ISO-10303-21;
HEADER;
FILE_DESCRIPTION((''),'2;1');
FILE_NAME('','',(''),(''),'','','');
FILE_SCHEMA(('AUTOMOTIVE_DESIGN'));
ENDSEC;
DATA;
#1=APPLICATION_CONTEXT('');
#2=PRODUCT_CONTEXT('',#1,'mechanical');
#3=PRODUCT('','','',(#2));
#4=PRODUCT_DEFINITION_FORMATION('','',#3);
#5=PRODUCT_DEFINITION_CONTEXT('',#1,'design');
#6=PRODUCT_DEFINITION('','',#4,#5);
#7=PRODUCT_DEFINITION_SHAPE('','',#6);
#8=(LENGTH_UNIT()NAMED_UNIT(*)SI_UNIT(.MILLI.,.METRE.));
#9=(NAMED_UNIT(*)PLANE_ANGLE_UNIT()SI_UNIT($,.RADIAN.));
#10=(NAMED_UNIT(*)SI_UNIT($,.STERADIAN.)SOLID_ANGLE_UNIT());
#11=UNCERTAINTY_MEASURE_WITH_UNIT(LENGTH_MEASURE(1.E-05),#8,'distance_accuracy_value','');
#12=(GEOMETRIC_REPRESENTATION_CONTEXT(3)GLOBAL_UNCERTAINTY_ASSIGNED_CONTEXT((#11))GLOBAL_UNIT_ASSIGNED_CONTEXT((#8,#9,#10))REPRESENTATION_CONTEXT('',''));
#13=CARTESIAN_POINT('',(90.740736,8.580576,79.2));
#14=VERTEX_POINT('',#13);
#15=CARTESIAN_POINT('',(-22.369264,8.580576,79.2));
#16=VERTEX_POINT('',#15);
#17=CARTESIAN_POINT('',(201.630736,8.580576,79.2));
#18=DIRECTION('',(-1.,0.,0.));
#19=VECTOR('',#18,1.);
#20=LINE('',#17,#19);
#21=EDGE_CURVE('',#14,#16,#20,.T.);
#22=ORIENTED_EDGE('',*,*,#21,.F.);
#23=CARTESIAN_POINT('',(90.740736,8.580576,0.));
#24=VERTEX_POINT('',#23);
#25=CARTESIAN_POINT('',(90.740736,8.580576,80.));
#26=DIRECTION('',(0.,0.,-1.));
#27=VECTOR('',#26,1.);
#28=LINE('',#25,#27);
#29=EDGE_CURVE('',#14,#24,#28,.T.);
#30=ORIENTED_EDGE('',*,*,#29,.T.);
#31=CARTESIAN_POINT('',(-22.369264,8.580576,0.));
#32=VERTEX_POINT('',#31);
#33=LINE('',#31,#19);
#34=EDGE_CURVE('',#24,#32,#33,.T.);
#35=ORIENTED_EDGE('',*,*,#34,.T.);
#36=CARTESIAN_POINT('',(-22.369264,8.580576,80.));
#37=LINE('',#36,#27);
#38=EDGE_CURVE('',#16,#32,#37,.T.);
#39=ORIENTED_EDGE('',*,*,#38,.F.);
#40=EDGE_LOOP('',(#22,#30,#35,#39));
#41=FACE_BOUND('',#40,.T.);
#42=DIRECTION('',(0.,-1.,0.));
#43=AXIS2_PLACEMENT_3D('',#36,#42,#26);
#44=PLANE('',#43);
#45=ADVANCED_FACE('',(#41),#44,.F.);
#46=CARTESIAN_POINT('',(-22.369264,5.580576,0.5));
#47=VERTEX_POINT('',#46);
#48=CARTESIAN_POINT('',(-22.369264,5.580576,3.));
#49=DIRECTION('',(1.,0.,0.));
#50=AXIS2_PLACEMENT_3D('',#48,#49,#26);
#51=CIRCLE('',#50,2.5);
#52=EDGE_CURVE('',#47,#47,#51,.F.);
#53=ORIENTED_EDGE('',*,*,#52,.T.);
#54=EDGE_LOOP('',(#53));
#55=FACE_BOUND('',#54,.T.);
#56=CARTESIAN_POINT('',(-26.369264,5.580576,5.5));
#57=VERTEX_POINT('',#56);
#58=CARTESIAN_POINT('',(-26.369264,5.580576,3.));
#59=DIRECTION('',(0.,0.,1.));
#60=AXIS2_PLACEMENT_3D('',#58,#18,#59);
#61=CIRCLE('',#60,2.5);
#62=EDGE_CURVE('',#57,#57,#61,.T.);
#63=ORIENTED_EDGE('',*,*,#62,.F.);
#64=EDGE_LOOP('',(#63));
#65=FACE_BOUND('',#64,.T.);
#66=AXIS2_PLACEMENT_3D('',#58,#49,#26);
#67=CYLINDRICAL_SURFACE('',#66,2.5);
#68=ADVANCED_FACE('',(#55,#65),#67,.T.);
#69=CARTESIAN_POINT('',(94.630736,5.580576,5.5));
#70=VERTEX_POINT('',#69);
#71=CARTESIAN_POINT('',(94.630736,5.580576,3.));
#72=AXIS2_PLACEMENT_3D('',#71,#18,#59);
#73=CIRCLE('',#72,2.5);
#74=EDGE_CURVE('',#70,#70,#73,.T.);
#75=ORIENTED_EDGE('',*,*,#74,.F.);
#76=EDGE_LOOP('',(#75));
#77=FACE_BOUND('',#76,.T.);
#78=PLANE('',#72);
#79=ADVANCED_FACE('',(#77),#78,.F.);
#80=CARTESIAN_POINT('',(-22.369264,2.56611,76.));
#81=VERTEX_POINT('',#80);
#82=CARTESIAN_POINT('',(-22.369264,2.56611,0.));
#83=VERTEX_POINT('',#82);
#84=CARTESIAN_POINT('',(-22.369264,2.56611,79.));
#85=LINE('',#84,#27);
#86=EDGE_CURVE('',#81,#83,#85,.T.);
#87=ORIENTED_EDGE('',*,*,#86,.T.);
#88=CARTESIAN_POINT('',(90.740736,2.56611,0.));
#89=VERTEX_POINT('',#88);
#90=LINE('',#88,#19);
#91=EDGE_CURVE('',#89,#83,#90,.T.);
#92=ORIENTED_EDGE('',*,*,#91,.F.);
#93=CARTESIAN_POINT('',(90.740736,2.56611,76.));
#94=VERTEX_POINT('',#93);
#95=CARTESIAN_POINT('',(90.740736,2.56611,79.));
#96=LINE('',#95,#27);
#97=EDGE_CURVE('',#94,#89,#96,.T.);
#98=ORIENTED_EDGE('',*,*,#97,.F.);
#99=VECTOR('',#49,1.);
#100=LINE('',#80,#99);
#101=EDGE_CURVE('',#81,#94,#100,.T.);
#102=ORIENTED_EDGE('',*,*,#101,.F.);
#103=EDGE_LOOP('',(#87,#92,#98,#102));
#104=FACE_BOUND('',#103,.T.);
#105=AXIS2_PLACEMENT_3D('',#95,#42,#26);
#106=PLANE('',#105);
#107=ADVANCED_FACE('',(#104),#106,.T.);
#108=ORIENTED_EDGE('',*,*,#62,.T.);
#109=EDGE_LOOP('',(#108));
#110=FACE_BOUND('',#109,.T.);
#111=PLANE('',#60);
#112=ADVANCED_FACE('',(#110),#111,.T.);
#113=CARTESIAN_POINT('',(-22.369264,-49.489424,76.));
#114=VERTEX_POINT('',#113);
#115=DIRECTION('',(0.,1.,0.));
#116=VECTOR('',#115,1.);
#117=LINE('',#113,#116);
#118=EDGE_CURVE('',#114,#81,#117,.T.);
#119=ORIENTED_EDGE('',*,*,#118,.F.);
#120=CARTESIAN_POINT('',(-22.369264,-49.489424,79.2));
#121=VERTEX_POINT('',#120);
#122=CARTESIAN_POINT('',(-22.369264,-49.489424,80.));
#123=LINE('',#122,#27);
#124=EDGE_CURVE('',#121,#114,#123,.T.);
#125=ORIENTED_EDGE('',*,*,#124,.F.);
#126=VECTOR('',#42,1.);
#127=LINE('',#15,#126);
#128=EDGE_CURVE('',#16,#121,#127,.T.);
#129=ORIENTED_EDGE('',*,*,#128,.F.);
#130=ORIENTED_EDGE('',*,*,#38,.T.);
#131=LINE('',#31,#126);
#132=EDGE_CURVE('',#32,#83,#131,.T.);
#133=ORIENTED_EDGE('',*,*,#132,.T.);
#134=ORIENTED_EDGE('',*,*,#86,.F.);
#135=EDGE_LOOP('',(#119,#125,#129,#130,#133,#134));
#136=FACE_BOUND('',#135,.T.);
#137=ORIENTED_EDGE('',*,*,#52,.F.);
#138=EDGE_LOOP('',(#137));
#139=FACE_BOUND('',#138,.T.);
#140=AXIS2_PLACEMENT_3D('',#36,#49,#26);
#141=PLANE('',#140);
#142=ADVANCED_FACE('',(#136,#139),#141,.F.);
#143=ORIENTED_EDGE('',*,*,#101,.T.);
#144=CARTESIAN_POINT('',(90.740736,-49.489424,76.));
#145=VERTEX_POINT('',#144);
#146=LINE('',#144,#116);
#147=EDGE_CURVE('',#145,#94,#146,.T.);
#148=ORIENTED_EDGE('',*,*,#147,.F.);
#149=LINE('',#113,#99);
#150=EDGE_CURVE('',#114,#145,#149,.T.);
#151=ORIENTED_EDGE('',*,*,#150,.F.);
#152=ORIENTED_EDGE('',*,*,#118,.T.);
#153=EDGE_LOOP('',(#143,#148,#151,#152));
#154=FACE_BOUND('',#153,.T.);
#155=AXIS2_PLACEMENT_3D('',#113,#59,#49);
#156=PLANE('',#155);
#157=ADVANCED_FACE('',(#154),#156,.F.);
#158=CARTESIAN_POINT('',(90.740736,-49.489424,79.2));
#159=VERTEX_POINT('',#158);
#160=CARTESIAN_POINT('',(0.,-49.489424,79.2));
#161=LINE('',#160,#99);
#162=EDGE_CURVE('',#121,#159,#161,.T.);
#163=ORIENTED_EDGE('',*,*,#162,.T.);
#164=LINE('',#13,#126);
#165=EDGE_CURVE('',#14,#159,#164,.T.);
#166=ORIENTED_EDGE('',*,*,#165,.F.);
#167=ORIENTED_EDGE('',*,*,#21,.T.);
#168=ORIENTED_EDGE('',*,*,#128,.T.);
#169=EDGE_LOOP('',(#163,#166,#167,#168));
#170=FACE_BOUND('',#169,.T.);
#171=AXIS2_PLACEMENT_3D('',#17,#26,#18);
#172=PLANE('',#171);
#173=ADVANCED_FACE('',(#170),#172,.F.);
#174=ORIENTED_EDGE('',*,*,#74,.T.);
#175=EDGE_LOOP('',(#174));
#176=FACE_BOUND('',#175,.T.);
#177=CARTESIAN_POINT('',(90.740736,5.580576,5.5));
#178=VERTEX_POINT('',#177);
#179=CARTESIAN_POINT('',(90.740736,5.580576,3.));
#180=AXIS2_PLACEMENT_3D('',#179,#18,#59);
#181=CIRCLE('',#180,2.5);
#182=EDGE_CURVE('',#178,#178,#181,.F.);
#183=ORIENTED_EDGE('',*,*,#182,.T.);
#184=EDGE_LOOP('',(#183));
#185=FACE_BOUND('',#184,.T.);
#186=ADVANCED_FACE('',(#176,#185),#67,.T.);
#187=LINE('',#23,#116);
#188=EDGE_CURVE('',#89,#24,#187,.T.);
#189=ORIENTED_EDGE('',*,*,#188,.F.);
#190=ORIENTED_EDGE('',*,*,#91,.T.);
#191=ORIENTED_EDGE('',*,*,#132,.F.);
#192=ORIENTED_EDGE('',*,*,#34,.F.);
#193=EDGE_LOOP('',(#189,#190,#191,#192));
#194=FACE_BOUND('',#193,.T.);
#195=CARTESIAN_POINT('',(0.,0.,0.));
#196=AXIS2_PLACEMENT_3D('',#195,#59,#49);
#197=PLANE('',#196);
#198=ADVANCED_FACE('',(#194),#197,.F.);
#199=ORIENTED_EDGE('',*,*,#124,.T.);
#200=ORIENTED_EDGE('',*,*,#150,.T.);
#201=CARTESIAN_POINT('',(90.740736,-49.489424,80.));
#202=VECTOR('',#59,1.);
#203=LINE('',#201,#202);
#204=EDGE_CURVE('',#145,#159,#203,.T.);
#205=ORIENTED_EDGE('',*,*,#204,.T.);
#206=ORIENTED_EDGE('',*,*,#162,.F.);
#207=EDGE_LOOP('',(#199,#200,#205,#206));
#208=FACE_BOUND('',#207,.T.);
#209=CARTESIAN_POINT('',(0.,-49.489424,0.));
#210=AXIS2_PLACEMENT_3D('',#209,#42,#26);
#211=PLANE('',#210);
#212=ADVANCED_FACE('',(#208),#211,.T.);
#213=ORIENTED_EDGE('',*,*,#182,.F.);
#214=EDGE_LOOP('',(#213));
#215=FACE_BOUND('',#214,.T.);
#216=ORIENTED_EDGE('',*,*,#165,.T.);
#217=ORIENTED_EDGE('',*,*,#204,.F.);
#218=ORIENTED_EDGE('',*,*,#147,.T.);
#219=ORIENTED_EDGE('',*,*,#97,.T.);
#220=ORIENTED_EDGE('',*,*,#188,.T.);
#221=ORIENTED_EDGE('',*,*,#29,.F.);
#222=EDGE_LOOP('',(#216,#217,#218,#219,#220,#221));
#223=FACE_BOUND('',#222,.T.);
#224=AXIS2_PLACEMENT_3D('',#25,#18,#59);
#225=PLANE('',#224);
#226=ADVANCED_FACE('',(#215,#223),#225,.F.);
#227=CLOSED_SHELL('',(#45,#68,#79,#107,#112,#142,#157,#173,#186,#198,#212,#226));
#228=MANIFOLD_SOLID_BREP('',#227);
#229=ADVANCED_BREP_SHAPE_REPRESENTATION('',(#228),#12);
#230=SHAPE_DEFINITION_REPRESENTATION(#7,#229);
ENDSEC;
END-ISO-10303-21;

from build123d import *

# Parameters (mm, degrees)
SKETCH1_W                = 113.11
SKETCH1_H                = 5
BOSS_EXTRUDE1_DEPTH      = 80
SKETCH2_W                = 113.11
SKETCH2_H                = 4
BOSS_EXTRUDE3_DEPTH      = 53.07
BOSS_EXTRUDE4_DEPTH      = 4
BOSS_EXTRUDE4_DEPTH_BACK = 117
SKETCH3_R                = 2.5
SKETCH4_W                = 113.11
SKETCH4_H                = 1.014466344
BOSS_EXTRUDE5_DEPTH      = 79
SKETCH5_W                = 0.8
SKETCH5_H                = 62.100076999
CUT_EXTRUDE2_DEPTH       = 224


with BuildPart() as part:
    # Sketch1 → Boss-Extrude1 (new body)
    with BuildSketch(Plane.XY):
        with Locations((34.185736393, 6.080576307)):
            Rectangle(SKETCH1_W, SKETCH1_H)
    extrude(amount=BOSS_EXTRUDE1_DEPTH)

    # Sketch2 → Boss-Extrude3 (add)
    with BuildSketch(Plane.XZ.offset(-3.580576307)):
        with Locations((34.185736393, 78)):
            Rectangle(SKETCH2_W, SKETCH2_H)
    extrude(amount=BOSS_EXTRUDE3_DEPTH)

    # Sketch3 → Boss-Extrude4 (add, two sides: drawn at the far end of the back side and taken through both)
    with BuildSketch(Plane.ZY.offset(22.369263607).offset(-BOSS_EXTRUDE4_DEPTH_BACK)):
        with Locations((3, 5.580576307)):
            Circle(SKETCH3_R)
    extrude(amount=BOSS_EXTRUDE4_DEPTH + BOSS_EXTRUDE4_DEPTH_BACK)

    # Sketch4 → Boss-Extrude5 (add)
    with BuildSketch(Plane(origin=(0, 0, 0), x_dir=(-1, 0, 0), z_dir=(0, 0, -1))):
        with Locations((-34.185736393, 3.073343135)):
            Rectangle(SKETCH4_W, SKETCH4_H)
    extrude(amount=-BOSS_EXTRUDE5_DEPTH)

    # Sketch5 → Cut-Extrude2 (cut)
    with BuildSketch(Plane.ZY.offset(22.369263607)):
        with Locations((79.6, -22.469462192)):
            Rectangle(SKETCH5_W, SKETCH5_H)
    extrude(amount=-CUT_EXTRUDE2_DEPTH, mode=Mode.SUBTRACT)


solid = part.part
